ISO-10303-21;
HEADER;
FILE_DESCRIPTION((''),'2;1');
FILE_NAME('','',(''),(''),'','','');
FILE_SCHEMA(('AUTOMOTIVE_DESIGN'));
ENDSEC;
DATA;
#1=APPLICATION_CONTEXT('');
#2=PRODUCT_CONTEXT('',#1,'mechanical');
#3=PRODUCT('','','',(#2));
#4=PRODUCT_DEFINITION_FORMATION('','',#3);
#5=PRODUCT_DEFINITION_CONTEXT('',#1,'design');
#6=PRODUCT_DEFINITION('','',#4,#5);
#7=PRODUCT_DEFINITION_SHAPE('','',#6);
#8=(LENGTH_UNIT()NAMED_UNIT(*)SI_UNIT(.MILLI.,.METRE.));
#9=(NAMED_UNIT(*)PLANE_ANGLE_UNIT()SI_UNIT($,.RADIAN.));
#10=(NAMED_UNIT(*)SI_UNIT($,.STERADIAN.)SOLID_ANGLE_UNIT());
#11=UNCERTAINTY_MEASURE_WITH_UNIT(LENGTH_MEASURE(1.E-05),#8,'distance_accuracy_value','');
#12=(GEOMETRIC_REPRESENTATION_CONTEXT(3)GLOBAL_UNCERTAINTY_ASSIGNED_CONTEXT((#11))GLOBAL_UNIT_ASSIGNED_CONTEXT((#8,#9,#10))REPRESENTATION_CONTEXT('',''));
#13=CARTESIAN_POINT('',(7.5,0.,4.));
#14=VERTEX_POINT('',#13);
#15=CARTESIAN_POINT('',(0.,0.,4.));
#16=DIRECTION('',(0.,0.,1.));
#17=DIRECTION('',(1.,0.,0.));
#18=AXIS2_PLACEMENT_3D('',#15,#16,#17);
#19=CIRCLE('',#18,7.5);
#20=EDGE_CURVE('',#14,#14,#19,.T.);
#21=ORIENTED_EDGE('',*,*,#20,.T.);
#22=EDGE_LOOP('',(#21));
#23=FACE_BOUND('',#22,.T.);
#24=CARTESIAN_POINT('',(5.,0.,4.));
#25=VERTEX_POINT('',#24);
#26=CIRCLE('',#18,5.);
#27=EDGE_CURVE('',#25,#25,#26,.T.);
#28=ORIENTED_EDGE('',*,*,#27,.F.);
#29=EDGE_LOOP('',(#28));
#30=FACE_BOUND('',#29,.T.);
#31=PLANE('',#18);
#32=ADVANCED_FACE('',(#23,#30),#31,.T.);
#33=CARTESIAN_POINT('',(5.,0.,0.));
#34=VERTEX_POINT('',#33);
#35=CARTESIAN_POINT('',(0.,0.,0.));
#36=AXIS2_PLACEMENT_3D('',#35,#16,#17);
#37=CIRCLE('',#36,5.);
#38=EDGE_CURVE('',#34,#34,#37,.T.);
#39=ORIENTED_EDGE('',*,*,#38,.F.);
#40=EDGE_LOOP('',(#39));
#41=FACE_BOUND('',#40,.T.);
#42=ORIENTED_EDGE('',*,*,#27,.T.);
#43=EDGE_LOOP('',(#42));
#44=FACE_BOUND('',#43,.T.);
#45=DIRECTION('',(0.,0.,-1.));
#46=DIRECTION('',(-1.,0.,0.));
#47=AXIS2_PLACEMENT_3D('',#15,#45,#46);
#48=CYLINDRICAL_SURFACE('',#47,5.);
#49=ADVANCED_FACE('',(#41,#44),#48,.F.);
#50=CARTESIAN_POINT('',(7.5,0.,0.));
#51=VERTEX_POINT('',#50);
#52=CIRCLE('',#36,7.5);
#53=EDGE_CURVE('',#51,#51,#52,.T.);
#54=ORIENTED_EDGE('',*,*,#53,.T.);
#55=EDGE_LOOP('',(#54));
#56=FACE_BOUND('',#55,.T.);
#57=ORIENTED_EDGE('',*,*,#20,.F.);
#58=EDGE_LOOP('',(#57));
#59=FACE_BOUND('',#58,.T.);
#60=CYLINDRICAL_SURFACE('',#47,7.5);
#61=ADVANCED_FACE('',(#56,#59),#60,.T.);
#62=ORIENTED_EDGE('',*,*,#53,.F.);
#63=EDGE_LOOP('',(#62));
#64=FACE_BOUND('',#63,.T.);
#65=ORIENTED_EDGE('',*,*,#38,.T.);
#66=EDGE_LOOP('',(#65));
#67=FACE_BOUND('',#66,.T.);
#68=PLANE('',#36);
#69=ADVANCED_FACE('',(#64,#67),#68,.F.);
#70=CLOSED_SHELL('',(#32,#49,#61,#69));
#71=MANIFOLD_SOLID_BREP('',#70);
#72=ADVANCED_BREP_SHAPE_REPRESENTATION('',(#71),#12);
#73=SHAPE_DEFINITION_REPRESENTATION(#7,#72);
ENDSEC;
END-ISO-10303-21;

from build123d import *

# Parameters (mm, degrees)
SKETCH_1_R      = 7.5
SKETCH_1_R_2    = 5
EXTRUDE_1_DEPTH = 4


with BuildPart() as part:
    # 草图1 → 凸台-拉伸1 (new body)
    with BuildSketch(Plane.XY):
        Circle(SKETCH_1_R)
        Circle(SKETCH_1_R_2, mode=Mode.SUBTRACT)
    extrude(amount=EXTRUDE_1_DEPTH)


solid = part.part
